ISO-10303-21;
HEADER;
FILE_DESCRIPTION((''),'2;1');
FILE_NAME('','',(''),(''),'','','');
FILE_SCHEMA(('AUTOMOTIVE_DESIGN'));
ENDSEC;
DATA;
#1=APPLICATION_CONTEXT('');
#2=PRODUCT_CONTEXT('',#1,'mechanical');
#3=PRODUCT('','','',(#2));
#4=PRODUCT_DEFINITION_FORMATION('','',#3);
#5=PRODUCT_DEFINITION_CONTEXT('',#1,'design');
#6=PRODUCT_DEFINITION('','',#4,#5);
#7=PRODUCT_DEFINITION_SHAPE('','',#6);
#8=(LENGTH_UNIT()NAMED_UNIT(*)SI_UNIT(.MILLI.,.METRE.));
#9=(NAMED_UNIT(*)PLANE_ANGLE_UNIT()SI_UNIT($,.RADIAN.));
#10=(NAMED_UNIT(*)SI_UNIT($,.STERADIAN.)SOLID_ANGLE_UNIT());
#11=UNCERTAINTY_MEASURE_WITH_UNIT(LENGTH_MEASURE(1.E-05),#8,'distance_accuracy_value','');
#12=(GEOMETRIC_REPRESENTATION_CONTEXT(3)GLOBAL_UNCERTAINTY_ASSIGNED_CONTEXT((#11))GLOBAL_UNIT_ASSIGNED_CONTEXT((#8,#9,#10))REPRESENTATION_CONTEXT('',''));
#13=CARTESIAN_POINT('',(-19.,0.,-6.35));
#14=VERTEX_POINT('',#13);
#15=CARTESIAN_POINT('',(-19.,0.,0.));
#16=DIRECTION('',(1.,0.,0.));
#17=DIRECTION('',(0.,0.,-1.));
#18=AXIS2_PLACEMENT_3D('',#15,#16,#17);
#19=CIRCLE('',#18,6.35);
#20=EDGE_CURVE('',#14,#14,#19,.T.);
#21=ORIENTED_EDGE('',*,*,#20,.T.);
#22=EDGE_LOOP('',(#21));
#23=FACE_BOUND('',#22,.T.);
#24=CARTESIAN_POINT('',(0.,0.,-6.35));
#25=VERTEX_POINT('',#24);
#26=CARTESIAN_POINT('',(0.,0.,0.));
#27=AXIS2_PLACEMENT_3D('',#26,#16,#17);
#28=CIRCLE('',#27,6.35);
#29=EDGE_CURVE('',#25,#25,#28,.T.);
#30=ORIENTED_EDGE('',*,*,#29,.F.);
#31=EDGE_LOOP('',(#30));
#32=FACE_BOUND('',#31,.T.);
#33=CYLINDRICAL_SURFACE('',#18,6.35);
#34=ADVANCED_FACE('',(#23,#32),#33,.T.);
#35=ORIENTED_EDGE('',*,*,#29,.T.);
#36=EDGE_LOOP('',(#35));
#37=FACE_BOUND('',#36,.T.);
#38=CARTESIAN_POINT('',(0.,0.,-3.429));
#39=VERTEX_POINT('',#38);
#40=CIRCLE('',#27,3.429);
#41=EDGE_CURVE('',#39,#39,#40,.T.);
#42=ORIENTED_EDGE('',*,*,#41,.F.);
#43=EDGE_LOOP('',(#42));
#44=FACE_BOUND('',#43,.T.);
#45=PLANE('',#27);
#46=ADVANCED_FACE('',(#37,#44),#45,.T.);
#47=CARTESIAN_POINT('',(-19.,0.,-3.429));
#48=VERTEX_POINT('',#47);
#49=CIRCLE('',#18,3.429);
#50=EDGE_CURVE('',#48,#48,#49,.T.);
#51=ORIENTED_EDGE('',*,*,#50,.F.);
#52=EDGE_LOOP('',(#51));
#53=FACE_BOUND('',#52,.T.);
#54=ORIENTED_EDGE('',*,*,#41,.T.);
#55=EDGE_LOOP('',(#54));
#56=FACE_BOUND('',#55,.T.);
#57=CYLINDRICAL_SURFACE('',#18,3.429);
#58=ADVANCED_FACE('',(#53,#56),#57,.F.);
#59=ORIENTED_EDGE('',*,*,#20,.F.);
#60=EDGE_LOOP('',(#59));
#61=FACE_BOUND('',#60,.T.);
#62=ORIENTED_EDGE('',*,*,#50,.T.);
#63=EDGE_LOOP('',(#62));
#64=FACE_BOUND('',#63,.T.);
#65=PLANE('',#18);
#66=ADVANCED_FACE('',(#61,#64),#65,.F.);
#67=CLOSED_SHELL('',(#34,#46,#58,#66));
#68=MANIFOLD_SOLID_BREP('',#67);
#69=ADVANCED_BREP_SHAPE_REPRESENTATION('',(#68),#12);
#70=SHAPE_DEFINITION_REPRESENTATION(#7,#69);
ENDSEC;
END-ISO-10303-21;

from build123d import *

# Parameters (mm, degrees)
ESQUISSE1_R        = 6.35
ESQUISSE1_R_2      = 3.429
BOSS_EXTRU_1_DEPTH = 19


with BuildPart() as part:
    # Esquisse1 → Boss.-Extru.1 (new body)
    with BuildSketch(Plane(origin=(0, 0, 0), x_dir=(0, 0, -1), z_dir=(1, 0, 0))):
        Circle(ESQUISSE1_R)
        Circle(ESQUISSE1_R_2, mode=Mode.SUBTRACT)
    extrude(amount=-BOSS_EXTRU_1_DEPTH)


solid = part.part
